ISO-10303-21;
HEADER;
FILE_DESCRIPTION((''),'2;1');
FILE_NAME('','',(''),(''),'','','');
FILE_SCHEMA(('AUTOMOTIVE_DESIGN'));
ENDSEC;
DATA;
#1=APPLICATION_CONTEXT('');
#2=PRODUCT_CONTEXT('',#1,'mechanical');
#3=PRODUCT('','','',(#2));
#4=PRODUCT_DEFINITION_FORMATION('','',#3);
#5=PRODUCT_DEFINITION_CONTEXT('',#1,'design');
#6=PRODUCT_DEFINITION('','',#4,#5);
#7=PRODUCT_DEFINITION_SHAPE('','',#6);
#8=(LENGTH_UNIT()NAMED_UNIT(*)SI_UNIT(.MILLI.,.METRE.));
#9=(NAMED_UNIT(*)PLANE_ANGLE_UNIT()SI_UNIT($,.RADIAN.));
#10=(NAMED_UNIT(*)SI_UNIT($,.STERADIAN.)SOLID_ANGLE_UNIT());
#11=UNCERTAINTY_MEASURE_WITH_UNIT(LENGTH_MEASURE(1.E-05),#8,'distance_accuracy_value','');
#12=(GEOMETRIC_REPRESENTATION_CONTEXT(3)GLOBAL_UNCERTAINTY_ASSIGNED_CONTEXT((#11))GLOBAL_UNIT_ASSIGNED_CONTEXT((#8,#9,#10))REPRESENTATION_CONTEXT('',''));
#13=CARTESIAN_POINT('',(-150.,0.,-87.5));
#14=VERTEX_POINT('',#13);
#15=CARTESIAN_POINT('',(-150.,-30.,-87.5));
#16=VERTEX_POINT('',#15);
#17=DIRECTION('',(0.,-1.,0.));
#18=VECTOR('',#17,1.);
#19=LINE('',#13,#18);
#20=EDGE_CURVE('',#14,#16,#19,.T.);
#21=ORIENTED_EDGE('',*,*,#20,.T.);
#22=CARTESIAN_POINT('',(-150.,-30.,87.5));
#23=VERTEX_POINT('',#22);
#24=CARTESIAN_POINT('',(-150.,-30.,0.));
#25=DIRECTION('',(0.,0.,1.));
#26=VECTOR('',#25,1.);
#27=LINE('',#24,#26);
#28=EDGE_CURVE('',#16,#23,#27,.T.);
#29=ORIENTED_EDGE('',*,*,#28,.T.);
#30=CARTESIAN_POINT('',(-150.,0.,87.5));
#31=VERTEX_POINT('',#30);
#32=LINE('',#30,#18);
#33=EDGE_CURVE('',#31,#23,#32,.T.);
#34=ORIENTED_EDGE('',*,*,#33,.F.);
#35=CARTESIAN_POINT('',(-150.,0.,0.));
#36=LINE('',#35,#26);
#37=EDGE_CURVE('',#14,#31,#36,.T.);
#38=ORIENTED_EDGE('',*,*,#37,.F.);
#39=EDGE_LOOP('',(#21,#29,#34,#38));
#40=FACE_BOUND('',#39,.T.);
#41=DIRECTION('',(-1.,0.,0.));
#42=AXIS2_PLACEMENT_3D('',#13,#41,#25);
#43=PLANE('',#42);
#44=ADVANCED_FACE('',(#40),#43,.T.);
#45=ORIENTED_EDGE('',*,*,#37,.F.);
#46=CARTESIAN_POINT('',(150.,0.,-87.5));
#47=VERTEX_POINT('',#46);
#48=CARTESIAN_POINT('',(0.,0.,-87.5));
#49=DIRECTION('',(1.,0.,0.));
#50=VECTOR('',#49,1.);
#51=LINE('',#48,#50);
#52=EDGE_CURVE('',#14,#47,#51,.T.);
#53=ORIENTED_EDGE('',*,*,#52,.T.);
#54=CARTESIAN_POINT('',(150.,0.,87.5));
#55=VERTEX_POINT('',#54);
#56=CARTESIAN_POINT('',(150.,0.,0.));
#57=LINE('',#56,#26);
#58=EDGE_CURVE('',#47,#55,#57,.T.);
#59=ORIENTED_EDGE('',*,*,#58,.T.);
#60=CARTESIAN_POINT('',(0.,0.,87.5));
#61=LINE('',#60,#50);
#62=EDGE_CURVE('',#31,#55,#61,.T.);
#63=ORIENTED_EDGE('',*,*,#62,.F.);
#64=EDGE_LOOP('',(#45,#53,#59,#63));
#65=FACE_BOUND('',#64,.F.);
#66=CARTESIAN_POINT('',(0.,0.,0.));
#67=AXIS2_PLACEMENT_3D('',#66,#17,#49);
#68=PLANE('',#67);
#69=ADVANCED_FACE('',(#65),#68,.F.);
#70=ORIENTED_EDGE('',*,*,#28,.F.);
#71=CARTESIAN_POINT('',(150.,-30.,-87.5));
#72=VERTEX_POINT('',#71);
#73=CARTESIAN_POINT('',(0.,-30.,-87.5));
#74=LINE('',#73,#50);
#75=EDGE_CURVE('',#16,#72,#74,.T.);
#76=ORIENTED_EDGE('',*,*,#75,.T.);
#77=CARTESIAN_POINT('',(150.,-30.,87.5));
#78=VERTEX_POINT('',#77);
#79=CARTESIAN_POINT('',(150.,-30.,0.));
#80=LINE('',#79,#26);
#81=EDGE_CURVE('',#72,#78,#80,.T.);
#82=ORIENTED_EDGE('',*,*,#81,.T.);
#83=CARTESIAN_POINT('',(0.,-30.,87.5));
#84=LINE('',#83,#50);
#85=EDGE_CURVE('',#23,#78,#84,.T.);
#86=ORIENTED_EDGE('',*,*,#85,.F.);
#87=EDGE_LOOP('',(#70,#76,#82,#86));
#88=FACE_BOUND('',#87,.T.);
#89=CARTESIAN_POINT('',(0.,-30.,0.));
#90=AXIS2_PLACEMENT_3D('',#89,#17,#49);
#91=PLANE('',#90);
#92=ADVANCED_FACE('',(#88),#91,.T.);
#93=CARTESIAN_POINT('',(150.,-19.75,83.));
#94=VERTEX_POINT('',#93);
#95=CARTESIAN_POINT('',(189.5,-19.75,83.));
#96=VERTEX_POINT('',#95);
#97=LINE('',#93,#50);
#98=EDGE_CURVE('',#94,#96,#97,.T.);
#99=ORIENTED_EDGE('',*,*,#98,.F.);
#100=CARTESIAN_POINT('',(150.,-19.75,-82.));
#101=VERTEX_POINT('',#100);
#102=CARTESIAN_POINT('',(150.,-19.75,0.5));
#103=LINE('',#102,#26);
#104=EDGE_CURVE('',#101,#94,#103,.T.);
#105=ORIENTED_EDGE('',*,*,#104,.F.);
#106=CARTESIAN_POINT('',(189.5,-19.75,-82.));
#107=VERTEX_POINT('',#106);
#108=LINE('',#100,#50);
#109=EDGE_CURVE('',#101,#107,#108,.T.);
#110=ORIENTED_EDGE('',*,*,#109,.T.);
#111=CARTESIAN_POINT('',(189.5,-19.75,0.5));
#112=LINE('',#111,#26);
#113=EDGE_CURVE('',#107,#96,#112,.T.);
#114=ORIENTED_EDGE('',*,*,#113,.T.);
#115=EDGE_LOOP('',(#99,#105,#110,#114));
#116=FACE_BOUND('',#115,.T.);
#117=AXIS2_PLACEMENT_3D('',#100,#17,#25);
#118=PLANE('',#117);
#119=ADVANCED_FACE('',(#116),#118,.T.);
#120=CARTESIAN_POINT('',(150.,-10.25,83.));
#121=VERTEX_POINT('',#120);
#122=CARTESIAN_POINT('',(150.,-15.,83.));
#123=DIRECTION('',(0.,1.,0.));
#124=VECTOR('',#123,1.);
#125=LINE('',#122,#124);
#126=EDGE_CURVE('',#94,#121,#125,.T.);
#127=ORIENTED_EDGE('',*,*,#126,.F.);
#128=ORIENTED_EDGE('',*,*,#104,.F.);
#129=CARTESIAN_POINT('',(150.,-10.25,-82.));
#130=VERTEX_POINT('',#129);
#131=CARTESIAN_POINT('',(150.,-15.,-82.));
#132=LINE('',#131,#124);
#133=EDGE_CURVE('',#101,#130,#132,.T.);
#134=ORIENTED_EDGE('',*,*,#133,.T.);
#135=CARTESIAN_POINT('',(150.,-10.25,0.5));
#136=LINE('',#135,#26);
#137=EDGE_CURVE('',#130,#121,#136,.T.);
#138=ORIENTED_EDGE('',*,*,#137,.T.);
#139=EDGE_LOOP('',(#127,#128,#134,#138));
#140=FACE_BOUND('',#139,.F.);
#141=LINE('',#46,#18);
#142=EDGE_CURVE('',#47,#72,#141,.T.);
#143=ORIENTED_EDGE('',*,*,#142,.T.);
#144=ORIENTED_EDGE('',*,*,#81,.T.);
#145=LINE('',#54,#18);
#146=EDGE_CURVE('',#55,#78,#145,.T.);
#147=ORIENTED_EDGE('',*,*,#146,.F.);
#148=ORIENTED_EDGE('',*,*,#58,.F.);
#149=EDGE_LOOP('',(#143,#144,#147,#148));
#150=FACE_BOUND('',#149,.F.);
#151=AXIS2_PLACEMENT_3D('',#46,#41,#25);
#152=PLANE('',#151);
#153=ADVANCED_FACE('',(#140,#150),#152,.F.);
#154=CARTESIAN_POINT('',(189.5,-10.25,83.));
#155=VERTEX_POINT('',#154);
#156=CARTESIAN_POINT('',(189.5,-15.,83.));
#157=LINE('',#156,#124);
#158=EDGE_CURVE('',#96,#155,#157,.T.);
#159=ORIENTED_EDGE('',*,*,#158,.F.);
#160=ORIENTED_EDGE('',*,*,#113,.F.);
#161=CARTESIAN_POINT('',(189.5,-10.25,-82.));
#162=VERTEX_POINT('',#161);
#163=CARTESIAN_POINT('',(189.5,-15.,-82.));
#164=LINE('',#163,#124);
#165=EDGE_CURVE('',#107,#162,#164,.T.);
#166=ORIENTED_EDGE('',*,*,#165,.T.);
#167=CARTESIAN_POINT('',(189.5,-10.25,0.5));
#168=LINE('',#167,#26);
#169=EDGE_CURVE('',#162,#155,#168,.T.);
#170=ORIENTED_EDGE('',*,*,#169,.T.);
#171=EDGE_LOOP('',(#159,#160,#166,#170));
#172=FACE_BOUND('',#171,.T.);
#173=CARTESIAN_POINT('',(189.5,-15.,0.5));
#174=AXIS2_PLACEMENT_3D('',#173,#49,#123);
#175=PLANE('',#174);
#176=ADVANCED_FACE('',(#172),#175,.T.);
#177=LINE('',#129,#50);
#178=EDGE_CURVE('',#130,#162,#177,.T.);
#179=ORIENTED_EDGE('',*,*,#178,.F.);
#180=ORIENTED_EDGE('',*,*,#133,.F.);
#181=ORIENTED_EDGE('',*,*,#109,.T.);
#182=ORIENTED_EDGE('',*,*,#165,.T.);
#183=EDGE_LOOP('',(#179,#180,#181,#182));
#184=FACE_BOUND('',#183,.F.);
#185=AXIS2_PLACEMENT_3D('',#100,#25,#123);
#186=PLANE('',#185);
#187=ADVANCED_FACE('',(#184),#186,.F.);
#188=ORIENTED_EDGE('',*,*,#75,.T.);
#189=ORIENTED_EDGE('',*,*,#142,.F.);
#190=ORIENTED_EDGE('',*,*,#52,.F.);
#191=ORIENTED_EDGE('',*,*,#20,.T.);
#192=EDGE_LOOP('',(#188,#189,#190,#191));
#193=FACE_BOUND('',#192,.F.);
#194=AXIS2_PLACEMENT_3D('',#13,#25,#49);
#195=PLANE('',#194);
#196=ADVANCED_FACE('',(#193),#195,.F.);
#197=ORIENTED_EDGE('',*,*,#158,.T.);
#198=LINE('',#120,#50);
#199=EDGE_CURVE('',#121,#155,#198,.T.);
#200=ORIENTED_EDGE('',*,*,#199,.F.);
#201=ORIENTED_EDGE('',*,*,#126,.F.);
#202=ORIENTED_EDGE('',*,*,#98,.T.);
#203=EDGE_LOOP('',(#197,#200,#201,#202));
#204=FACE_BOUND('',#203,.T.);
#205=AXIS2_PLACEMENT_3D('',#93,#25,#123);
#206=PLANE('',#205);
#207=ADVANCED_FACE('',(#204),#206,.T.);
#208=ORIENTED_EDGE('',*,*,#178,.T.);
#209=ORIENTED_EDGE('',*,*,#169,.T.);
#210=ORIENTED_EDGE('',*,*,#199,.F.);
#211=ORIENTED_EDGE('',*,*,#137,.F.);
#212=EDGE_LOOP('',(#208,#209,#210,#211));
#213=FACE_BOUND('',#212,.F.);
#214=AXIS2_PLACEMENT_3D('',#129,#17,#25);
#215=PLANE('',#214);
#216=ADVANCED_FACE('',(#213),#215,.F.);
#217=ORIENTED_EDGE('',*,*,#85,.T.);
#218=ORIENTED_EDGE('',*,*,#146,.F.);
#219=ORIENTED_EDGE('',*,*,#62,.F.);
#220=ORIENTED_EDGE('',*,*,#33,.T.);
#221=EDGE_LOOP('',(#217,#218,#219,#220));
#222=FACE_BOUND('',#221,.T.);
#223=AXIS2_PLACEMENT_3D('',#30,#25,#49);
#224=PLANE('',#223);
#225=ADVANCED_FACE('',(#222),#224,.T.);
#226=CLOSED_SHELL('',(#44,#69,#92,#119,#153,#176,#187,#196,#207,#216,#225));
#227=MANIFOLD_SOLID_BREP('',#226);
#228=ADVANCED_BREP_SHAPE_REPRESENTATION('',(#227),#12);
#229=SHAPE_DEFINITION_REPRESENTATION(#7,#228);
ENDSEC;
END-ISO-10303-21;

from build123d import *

# Parameters (mm, degrees)
F0_W     = 300
F0_H     = 175
F1_DEPTH = 30
F2_W     = 9.5
F2_H     = 165
F3_DEPTH = 39.5


with BuildPart() as f1:
    # F0 (on Front) → F1 (new body)
    with BuildSketch(Plane.XZ):
        Rectangle(F0_W, F0_H)
    extrude(amount=F1_DEPTH)

    # F2 (on face) → F3 (join)
    with BuildSketch(Plane.YZ.offset(150)):
        with Locations((-15, 0.5)):
            Rectangle(F2_W, F2_H)
    extrude(amount=F3_DEPTH)


solid = f1.part
